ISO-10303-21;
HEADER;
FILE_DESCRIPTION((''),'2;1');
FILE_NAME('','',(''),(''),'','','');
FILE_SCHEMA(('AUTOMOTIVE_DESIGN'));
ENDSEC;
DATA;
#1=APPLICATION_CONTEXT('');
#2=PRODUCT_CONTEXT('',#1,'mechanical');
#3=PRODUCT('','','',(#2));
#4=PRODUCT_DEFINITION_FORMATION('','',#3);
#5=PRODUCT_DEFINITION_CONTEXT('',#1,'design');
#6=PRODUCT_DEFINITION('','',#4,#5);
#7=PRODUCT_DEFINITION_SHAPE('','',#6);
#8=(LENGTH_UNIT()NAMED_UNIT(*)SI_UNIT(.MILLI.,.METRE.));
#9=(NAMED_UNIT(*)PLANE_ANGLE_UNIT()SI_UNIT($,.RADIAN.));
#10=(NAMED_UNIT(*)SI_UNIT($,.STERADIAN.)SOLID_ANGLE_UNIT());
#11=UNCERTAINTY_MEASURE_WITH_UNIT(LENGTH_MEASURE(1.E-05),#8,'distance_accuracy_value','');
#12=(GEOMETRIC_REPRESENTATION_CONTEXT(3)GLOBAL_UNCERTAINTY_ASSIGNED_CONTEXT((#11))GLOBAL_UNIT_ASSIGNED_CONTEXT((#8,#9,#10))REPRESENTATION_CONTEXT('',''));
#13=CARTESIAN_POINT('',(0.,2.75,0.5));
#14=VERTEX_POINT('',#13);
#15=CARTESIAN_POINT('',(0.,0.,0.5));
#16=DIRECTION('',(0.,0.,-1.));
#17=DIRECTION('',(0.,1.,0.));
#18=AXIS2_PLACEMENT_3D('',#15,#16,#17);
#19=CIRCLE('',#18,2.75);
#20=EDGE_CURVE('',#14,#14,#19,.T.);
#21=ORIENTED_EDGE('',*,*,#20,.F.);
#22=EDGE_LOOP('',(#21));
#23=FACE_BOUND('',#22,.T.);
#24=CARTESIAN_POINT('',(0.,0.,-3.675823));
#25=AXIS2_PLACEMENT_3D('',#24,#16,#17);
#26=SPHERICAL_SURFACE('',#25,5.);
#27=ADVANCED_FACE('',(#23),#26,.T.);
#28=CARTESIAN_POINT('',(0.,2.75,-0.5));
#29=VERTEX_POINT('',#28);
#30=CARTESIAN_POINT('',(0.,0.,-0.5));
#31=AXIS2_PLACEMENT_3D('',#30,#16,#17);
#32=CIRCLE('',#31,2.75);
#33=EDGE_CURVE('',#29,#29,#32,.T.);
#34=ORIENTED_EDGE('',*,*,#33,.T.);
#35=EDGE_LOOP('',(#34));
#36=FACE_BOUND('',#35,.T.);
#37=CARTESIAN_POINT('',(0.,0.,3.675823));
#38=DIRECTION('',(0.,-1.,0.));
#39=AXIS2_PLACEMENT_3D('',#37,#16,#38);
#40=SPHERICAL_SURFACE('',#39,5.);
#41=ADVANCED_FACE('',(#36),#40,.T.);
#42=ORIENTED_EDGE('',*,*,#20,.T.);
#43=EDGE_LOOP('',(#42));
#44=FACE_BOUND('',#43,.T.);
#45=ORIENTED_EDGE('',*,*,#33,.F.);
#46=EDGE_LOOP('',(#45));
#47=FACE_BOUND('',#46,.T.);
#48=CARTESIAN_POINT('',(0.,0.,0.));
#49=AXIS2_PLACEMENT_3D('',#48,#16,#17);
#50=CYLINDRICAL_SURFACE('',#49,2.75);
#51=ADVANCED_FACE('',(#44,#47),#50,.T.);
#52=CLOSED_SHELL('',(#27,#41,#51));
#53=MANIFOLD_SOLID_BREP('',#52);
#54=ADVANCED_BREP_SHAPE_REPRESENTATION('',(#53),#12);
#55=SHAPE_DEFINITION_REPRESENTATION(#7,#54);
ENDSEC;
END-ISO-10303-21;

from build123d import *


with BuildPart() as part:
    # Sketch3 → Revolve1 (revolve)
    with BuildSketch(Plane(origin=(0, 0, 0), x_dir=(0, 0, -1), z_dir=(1, 0, 0))):
        with BuildLine():
            Line((0, 2.75), (0, 0))
            Line((0, 0), (1.324176728, 0))
            ThreePointArc((1.324176728, 0), (1.11370261, 1.435423916), (0.5, 2.75))
            Line((0.5, 2.75), (0, 2.75))
        make_face()
        with BuildLine():
            ThreePointArc((-0.5, 2.75), (-1.11370261, 1.435423916), (-1.324176728, 0))
            Line((-1.324176728, 0), (0, 0))
            Line((0, 0), (0, 2.75))
            Line((0, 2.75), (-0.5, 2.75))
        make_face()
    revolve(axis=Axis((0, 0, 0), (0, 0, 1)))


solid = part.part
